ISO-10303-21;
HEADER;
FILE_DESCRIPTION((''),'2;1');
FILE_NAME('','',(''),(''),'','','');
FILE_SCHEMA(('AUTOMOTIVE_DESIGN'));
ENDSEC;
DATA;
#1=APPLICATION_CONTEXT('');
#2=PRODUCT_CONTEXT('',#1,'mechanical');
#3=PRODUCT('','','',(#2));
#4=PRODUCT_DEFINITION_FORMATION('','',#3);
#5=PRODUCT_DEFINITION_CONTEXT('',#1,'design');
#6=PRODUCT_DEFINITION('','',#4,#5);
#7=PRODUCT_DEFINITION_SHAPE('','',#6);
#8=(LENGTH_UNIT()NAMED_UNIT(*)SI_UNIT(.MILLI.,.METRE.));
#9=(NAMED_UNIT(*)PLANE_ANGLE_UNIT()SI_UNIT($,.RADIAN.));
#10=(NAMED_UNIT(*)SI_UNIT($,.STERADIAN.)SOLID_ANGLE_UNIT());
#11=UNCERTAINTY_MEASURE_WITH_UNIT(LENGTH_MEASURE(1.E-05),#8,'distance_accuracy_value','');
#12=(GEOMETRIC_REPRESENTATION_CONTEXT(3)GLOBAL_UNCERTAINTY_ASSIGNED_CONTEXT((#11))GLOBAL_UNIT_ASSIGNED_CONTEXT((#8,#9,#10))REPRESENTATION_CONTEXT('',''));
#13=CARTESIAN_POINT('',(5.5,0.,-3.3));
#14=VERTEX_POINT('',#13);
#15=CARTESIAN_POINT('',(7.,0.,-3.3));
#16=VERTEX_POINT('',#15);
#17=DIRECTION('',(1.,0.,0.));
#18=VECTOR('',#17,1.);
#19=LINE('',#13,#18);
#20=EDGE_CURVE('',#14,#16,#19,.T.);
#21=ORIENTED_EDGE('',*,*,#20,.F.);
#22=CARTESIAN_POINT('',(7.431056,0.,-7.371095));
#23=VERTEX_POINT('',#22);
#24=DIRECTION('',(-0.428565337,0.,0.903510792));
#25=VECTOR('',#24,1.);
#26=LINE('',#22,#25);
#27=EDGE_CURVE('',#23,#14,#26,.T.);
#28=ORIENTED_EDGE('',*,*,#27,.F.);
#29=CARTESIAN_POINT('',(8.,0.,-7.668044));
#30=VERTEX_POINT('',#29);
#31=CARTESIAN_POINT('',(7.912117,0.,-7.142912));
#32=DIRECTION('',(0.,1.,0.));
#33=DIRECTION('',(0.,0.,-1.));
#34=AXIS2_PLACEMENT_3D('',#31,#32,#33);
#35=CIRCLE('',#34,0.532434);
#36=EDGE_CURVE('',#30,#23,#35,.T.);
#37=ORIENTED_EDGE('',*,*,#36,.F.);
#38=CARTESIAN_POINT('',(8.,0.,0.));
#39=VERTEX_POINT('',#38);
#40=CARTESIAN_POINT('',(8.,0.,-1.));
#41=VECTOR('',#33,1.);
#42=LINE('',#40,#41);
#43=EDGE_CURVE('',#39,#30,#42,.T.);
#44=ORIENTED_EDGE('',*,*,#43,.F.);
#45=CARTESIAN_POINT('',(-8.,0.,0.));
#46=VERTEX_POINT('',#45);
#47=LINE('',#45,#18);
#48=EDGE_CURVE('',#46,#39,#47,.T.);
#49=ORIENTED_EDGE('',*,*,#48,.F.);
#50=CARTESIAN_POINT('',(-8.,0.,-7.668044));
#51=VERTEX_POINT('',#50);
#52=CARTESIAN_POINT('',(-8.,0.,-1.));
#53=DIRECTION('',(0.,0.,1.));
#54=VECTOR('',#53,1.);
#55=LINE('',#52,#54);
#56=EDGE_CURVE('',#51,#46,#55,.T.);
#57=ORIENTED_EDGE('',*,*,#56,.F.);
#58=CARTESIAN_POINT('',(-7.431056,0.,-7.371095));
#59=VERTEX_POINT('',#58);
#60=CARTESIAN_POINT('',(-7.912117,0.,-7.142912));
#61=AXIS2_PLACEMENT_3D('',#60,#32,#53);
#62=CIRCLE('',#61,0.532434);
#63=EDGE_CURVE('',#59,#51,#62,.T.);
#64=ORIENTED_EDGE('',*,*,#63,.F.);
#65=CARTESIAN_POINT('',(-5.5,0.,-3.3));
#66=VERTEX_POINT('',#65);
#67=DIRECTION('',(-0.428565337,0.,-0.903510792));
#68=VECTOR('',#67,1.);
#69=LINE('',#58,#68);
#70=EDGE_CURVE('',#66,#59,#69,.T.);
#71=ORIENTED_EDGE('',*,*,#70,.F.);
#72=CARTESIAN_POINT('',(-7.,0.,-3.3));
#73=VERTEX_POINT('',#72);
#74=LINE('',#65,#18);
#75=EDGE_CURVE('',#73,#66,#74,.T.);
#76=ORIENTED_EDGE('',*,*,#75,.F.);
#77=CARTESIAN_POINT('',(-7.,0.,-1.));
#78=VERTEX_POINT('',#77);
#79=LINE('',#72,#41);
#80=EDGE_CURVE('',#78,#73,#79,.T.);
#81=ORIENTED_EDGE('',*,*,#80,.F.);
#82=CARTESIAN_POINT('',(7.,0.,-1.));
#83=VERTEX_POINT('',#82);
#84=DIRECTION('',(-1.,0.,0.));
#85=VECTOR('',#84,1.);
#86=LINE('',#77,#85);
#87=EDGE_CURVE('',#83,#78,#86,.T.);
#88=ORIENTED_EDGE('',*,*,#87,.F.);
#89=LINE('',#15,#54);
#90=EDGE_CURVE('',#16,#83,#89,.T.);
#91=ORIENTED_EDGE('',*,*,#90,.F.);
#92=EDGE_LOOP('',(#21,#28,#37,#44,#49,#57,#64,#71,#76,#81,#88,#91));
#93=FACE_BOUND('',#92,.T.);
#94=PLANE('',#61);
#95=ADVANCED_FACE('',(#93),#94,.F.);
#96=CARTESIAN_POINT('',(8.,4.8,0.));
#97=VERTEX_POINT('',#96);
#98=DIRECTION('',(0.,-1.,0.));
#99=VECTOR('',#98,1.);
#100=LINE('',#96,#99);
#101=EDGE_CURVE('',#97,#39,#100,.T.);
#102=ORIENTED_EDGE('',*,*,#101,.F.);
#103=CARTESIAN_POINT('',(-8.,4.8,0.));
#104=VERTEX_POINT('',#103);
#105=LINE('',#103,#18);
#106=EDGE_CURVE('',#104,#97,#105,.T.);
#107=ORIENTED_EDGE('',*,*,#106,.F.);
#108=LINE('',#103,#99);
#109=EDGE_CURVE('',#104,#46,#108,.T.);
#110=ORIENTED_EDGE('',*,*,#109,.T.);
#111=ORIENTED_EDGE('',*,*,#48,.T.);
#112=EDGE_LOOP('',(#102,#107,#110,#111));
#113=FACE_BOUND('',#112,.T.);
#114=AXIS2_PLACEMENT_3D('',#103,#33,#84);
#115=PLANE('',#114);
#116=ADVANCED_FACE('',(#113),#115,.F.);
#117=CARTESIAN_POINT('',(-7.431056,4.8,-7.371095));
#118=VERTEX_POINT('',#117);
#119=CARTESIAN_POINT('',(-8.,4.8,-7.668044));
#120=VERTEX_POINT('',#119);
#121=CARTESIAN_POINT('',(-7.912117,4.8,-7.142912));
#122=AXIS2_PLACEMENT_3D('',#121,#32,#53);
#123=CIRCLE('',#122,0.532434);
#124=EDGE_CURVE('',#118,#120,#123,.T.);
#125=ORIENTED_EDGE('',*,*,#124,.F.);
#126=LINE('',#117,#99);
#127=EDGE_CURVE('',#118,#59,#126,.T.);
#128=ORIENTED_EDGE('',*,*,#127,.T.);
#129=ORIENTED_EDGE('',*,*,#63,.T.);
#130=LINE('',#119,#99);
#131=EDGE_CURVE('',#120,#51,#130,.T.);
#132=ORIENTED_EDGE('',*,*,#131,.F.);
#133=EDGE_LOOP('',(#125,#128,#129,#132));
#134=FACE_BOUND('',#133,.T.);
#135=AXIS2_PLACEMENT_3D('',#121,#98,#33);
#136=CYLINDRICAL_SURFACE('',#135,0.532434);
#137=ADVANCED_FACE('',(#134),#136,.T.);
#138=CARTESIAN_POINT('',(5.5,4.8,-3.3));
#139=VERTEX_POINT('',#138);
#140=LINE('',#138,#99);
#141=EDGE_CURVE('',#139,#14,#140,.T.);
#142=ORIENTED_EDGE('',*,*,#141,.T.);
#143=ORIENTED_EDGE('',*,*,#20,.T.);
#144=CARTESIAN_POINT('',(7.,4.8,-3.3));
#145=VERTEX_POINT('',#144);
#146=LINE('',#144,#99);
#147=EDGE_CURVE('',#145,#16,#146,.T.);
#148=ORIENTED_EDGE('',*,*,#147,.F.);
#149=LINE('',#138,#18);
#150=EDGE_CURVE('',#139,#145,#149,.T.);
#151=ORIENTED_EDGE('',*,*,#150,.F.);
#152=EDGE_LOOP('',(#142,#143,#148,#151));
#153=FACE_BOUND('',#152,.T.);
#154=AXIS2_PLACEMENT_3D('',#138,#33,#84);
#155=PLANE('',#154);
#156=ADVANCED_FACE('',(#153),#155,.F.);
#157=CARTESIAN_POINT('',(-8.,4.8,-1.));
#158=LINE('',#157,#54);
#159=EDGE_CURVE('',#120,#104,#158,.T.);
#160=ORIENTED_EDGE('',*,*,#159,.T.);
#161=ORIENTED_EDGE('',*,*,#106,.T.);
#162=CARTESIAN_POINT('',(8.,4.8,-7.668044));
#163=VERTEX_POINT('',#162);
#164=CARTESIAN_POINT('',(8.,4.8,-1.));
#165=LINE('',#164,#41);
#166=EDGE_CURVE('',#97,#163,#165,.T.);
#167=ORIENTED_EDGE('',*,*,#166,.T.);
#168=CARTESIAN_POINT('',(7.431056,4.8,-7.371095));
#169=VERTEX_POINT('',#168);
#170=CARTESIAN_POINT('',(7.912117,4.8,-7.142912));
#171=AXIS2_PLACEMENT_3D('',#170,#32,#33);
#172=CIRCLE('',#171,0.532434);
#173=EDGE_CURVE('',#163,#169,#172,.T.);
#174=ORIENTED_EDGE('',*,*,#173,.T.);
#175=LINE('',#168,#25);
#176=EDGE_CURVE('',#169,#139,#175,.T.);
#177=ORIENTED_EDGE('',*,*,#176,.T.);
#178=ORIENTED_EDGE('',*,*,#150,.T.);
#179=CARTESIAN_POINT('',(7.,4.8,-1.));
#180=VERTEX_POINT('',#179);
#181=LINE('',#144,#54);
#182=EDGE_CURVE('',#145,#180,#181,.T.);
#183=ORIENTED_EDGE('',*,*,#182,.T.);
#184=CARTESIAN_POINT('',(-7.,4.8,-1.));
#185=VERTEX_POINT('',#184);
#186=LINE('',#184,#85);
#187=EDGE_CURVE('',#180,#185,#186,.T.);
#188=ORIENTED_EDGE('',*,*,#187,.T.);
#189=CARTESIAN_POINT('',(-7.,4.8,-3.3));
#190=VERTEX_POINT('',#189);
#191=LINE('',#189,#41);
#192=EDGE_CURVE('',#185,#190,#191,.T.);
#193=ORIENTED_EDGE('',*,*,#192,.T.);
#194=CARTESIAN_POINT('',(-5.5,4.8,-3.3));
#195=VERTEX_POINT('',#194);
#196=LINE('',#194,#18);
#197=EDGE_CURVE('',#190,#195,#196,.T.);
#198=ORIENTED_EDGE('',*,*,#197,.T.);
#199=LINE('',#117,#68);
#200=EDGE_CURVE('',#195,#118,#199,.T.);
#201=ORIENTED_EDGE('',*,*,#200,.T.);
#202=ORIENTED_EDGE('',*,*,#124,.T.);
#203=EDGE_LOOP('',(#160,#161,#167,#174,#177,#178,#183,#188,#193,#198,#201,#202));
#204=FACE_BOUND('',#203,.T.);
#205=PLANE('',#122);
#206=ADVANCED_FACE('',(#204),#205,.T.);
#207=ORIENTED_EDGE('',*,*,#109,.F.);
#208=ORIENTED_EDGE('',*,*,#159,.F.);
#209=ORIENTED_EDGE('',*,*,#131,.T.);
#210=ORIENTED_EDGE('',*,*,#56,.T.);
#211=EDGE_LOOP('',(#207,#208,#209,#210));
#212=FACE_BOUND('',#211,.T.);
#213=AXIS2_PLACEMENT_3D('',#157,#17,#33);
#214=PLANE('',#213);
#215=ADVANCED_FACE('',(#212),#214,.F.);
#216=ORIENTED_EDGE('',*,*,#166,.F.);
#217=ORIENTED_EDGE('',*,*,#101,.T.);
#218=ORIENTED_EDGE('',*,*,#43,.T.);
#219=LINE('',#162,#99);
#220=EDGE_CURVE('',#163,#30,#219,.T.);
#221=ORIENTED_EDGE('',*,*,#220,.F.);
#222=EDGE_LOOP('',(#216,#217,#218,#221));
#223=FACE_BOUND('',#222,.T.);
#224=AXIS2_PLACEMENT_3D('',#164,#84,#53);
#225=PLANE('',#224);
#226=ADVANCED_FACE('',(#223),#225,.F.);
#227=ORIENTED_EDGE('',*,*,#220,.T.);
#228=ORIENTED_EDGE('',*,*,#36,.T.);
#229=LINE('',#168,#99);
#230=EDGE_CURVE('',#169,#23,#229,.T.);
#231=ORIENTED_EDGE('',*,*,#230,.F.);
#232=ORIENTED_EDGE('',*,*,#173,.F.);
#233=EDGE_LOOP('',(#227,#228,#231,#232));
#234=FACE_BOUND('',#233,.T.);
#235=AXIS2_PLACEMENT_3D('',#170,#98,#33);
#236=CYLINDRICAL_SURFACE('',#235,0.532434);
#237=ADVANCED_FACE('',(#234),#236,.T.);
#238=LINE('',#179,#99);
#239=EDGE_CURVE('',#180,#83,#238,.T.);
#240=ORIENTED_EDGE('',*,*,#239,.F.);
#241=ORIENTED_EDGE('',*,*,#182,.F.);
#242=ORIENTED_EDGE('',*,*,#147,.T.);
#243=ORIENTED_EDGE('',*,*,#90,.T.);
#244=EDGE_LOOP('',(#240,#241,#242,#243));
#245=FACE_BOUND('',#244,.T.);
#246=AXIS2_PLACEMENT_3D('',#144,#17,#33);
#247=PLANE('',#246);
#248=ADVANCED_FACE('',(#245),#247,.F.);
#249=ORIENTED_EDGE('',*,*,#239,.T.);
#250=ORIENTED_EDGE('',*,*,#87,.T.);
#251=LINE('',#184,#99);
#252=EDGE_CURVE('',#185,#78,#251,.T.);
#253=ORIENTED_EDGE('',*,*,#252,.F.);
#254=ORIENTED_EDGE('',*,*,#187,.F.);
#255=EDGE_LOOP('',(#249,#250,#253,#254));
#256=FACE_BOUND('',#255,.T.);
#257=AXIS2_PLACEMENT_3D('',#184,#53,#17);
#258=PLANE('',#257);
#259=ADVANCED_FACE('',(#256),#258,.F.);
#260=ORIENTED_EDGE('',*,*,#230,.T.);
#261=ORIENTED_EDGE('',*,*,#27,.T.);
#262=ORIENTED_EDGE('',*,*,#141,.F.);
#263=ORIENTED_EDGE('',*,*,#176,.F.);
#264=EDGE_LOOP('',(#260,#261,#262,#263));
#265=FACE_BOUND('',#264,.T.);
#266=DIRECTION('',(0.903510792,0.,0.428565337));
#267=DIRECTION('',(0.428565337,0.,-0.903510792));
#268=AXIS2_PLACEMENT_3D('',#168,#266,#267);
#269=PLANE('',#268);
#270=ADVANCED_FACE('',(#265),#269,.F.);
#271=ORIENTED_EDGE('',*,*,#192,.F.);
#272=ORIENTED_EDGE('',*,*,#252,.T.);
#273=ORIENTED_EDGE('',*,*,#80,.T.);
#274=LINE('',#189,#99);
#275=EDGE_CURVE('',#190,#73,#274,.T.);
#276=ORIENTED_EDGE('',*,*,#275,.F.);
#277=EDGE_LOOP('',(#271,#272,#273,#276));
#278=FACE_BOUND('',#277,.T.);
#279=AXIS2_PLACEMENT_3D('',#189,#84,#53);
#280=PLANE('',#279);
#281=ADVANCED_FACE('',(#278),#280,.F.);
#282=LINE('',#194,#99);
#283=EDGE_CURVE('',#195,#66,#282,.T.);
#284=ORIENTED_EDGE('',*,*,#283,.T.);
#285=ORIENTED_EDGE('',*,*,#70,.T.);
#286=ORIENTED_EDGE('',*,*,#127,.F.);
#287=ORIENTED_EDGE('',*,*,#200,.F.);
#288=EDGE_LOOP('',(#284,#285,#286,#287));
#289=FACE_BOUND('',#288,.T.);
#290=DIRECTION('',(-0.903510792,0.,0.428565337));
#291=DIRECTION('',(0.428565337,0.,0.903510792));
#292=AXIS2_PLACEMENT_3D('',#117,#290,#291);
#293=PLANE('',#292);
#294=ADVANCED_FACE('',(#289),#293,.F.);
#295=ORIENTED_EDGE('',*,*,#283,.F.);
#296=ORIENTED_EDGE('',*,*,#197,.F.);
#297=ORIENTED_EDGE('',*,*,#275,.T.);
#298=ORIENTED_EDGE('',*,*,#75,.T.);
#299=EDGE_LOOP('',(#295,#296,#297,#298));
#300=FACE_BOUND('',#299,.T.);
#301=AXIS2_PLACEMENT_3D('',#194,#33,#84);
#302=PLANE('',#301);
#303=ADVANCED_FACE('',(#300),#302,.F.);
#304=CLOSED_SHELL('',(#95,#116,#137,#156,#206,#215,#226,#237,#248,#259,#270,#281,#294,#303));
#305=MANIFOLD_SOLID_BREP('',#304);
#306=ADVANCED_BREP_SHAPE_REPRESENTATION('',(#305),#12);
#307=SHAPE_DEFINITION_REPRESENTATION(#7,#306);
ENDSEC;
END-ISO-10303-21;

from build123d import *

# Parameters (mm, degrees)
EXTRUDE_1_DEPTH = 4.8


with BuildPart() as part:
    # 草圖1 → 填料-伸長1 (new body)
    with BuildSketch(Plane(origin=(0, 0, 0), x_dir=(1, 0, 0), z_dir=(0, 1, 0))):
        with BuildLine():
            Line((-7, 1), (7, 1))
            Line((7, 1), (7, 3.3))
            Line((7, 3.3), (5.5, 3.3))
            Line((5.5, 3.3), (7.431056476, 7.371095386))
            ThreePointArc((7.431056476, 7.371095386), (7.665760023, 7.614923881), (8, 7.668043813))
            Line((8, 7.668043813), (8, 1))
            Line((8, 1), (8, 0))
            Line((8, 0), (-8, 0))
            Line((-8, 0), (-8, 1))
            Line((-8, 1), (-8, 7.668043813))
            ThreePointArc((-8, 7.668043813), (-7.665760023, 7.614923881), (-7.431056476, 7.371095386))
            Line((-7.431056476, 7.371095386), (-5.5, 3.3))
            Line((-5.5, 3.3), (-7, 3.3))
            Line((-7, 3.3), (-7, 1))
        make_face()
    extrude(amount=EXTRUDE_1_DEPTH)


solid = part.part
